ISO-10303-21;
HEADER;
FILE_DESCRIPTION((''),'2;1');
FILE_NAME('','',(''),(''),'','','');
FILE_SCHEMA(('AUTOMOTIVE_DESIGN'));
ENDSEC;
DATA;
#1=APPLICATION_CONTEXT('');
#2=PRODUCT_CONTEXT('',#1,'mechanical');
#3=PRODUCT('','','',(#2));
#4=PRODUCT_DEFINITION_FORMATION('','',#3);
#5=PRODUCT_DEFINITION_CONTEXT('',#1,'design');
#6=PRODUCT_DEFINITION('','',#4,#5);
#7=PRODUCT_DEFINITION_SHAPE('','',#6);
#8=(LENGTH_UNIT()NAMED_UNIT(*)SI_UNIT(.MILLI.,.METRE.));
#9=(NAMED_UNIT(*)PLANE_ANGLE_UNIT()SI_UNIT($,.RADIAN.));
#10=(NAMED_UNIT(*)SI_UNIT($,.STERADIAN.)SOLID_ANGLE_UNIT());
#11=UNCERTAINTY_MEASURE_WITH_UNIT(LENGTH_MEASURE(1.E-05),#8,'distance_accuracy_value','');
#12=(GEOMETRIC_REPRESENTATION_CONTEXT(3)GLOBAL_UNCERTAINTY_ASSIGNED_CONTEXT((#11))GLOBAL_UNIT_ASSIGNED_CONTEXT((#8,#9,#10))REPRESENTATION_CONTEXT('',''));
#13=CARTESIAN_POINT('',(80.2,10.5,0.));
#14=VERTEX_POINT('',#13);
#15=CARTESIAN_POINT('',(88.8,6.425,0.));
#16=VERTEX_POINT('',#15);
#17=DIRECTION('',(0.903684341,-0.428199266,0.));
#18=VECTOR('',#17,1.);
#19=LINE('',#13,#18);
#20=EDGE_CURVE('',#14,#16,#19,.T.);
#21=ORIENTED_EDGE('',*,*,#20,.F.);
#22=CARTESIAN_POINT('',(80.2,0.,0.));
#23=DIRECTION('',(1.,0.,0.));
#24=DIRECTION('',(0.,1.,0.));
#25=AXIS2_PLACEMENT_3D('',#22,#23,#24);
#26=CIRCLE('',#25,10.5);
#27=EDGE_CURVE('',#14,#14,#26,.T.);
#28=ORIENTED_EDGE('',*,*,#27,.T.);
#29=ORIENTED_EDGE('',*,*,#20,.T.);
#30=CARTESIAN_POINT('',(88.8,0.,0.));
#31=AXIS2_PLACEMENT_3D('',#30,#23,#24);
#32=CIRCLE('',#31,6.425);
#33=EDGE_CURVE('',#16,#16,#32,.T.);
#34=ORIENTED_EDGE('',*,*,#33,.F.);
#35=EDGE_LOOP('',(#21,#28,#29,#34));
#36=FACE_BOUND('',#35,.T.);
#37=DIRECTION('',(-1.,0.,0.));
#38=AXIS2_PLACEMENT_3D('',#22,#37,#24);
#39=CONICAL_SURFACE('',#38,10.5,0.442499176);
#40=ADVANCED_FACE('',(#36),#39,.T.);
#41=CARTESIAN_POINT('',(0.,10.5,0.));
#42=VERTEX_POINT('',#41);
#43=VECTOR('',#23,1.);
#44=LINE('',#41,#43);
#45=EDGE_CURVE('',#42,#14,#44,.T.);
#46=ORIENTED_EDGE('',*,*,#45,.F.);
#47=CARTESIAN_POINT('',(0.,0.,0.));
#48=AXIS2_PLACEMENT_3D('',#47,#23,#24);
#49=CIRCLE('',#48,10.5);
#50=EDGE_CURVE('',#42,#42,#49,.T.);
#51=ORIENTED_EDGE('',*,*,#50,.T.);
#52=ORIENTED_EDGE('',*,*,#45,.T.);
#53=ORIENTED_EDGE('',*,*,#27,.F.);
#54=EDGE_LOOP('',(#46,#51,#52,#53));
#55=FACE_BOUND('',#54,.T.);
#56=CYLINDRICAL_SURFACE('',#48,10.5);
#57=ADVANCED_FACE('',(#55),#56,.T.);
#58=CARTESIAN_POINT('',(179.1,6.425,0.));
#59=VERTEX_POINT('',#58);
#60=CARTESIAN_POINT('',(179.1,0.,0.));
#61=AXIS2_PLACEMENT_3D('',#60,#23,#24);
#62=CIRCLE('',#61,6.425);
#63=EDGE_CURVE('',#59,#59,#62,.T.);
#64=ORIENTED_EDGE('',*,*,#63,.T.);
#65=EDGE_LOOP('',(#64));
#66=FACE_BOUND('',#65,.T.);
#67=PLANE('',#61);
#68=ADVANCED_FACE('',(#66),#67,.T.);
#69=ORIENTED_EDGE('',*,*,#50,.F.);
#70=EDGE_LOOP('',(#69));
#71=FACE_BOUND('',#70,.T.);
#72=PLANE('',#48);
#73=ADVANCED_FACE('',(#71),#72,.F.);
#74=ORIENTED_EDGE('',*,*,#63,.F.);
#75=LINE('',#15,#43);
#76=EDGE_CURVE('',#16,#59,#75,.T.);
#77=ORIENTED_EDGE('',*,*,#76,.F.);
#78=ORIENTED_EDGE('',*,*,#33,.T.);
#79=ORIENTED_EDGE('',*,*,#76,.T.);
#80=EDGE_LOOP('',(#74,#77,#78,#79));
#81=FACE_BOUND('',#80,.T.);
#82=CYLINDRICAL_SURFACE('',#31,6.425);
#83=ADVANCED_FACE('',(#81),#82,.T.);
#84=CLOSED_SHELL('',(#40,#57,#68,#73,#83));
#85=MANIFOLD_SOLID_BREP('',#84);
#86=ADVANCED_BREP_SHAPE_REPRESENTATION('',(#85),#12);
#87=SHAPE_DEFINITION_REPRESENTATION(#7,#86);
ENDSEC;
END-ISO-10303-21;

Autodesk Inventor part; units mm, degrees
ref_plane "Start Plane" through (0, 0, 0) normal (1, 0, 0) x (0, 1, 0)
ref_plane "XZ Plane" through (0, 0, 0) normal (0, 1, 0) x (-1, 0, 0)
ref_plane "XY Plane" through (0, 0, 0) normal (0, 0, 1) x (1, 0, 0)
sketch "Main Sketch" plane through (0, 0, 0) normal (0, 0, 1) x (1, 0, 0)
  line L0 (0, 0) -> (179.1, 0)
  line L1 (0, 0) -> (0, 10.5)
  line L2 (0, 10.5) -> (80.2, 10.5)
  line L3 (80.2, 10.5) -> (88.8, 6.425)
  line L4 (179.1, 6.425) -> (179.1, 0)
  line L5 (88.8, 6.425) -> (179.1, 6.425)
  dimension "d3" = 21
  dimension "d4" = 12.85
revolve "Revolution1" add sketch "Main Sketch" angle 360 about axis through (0, 0, 0) along (1, 0, 0)
properties part number "Shaft" material "Steel"
